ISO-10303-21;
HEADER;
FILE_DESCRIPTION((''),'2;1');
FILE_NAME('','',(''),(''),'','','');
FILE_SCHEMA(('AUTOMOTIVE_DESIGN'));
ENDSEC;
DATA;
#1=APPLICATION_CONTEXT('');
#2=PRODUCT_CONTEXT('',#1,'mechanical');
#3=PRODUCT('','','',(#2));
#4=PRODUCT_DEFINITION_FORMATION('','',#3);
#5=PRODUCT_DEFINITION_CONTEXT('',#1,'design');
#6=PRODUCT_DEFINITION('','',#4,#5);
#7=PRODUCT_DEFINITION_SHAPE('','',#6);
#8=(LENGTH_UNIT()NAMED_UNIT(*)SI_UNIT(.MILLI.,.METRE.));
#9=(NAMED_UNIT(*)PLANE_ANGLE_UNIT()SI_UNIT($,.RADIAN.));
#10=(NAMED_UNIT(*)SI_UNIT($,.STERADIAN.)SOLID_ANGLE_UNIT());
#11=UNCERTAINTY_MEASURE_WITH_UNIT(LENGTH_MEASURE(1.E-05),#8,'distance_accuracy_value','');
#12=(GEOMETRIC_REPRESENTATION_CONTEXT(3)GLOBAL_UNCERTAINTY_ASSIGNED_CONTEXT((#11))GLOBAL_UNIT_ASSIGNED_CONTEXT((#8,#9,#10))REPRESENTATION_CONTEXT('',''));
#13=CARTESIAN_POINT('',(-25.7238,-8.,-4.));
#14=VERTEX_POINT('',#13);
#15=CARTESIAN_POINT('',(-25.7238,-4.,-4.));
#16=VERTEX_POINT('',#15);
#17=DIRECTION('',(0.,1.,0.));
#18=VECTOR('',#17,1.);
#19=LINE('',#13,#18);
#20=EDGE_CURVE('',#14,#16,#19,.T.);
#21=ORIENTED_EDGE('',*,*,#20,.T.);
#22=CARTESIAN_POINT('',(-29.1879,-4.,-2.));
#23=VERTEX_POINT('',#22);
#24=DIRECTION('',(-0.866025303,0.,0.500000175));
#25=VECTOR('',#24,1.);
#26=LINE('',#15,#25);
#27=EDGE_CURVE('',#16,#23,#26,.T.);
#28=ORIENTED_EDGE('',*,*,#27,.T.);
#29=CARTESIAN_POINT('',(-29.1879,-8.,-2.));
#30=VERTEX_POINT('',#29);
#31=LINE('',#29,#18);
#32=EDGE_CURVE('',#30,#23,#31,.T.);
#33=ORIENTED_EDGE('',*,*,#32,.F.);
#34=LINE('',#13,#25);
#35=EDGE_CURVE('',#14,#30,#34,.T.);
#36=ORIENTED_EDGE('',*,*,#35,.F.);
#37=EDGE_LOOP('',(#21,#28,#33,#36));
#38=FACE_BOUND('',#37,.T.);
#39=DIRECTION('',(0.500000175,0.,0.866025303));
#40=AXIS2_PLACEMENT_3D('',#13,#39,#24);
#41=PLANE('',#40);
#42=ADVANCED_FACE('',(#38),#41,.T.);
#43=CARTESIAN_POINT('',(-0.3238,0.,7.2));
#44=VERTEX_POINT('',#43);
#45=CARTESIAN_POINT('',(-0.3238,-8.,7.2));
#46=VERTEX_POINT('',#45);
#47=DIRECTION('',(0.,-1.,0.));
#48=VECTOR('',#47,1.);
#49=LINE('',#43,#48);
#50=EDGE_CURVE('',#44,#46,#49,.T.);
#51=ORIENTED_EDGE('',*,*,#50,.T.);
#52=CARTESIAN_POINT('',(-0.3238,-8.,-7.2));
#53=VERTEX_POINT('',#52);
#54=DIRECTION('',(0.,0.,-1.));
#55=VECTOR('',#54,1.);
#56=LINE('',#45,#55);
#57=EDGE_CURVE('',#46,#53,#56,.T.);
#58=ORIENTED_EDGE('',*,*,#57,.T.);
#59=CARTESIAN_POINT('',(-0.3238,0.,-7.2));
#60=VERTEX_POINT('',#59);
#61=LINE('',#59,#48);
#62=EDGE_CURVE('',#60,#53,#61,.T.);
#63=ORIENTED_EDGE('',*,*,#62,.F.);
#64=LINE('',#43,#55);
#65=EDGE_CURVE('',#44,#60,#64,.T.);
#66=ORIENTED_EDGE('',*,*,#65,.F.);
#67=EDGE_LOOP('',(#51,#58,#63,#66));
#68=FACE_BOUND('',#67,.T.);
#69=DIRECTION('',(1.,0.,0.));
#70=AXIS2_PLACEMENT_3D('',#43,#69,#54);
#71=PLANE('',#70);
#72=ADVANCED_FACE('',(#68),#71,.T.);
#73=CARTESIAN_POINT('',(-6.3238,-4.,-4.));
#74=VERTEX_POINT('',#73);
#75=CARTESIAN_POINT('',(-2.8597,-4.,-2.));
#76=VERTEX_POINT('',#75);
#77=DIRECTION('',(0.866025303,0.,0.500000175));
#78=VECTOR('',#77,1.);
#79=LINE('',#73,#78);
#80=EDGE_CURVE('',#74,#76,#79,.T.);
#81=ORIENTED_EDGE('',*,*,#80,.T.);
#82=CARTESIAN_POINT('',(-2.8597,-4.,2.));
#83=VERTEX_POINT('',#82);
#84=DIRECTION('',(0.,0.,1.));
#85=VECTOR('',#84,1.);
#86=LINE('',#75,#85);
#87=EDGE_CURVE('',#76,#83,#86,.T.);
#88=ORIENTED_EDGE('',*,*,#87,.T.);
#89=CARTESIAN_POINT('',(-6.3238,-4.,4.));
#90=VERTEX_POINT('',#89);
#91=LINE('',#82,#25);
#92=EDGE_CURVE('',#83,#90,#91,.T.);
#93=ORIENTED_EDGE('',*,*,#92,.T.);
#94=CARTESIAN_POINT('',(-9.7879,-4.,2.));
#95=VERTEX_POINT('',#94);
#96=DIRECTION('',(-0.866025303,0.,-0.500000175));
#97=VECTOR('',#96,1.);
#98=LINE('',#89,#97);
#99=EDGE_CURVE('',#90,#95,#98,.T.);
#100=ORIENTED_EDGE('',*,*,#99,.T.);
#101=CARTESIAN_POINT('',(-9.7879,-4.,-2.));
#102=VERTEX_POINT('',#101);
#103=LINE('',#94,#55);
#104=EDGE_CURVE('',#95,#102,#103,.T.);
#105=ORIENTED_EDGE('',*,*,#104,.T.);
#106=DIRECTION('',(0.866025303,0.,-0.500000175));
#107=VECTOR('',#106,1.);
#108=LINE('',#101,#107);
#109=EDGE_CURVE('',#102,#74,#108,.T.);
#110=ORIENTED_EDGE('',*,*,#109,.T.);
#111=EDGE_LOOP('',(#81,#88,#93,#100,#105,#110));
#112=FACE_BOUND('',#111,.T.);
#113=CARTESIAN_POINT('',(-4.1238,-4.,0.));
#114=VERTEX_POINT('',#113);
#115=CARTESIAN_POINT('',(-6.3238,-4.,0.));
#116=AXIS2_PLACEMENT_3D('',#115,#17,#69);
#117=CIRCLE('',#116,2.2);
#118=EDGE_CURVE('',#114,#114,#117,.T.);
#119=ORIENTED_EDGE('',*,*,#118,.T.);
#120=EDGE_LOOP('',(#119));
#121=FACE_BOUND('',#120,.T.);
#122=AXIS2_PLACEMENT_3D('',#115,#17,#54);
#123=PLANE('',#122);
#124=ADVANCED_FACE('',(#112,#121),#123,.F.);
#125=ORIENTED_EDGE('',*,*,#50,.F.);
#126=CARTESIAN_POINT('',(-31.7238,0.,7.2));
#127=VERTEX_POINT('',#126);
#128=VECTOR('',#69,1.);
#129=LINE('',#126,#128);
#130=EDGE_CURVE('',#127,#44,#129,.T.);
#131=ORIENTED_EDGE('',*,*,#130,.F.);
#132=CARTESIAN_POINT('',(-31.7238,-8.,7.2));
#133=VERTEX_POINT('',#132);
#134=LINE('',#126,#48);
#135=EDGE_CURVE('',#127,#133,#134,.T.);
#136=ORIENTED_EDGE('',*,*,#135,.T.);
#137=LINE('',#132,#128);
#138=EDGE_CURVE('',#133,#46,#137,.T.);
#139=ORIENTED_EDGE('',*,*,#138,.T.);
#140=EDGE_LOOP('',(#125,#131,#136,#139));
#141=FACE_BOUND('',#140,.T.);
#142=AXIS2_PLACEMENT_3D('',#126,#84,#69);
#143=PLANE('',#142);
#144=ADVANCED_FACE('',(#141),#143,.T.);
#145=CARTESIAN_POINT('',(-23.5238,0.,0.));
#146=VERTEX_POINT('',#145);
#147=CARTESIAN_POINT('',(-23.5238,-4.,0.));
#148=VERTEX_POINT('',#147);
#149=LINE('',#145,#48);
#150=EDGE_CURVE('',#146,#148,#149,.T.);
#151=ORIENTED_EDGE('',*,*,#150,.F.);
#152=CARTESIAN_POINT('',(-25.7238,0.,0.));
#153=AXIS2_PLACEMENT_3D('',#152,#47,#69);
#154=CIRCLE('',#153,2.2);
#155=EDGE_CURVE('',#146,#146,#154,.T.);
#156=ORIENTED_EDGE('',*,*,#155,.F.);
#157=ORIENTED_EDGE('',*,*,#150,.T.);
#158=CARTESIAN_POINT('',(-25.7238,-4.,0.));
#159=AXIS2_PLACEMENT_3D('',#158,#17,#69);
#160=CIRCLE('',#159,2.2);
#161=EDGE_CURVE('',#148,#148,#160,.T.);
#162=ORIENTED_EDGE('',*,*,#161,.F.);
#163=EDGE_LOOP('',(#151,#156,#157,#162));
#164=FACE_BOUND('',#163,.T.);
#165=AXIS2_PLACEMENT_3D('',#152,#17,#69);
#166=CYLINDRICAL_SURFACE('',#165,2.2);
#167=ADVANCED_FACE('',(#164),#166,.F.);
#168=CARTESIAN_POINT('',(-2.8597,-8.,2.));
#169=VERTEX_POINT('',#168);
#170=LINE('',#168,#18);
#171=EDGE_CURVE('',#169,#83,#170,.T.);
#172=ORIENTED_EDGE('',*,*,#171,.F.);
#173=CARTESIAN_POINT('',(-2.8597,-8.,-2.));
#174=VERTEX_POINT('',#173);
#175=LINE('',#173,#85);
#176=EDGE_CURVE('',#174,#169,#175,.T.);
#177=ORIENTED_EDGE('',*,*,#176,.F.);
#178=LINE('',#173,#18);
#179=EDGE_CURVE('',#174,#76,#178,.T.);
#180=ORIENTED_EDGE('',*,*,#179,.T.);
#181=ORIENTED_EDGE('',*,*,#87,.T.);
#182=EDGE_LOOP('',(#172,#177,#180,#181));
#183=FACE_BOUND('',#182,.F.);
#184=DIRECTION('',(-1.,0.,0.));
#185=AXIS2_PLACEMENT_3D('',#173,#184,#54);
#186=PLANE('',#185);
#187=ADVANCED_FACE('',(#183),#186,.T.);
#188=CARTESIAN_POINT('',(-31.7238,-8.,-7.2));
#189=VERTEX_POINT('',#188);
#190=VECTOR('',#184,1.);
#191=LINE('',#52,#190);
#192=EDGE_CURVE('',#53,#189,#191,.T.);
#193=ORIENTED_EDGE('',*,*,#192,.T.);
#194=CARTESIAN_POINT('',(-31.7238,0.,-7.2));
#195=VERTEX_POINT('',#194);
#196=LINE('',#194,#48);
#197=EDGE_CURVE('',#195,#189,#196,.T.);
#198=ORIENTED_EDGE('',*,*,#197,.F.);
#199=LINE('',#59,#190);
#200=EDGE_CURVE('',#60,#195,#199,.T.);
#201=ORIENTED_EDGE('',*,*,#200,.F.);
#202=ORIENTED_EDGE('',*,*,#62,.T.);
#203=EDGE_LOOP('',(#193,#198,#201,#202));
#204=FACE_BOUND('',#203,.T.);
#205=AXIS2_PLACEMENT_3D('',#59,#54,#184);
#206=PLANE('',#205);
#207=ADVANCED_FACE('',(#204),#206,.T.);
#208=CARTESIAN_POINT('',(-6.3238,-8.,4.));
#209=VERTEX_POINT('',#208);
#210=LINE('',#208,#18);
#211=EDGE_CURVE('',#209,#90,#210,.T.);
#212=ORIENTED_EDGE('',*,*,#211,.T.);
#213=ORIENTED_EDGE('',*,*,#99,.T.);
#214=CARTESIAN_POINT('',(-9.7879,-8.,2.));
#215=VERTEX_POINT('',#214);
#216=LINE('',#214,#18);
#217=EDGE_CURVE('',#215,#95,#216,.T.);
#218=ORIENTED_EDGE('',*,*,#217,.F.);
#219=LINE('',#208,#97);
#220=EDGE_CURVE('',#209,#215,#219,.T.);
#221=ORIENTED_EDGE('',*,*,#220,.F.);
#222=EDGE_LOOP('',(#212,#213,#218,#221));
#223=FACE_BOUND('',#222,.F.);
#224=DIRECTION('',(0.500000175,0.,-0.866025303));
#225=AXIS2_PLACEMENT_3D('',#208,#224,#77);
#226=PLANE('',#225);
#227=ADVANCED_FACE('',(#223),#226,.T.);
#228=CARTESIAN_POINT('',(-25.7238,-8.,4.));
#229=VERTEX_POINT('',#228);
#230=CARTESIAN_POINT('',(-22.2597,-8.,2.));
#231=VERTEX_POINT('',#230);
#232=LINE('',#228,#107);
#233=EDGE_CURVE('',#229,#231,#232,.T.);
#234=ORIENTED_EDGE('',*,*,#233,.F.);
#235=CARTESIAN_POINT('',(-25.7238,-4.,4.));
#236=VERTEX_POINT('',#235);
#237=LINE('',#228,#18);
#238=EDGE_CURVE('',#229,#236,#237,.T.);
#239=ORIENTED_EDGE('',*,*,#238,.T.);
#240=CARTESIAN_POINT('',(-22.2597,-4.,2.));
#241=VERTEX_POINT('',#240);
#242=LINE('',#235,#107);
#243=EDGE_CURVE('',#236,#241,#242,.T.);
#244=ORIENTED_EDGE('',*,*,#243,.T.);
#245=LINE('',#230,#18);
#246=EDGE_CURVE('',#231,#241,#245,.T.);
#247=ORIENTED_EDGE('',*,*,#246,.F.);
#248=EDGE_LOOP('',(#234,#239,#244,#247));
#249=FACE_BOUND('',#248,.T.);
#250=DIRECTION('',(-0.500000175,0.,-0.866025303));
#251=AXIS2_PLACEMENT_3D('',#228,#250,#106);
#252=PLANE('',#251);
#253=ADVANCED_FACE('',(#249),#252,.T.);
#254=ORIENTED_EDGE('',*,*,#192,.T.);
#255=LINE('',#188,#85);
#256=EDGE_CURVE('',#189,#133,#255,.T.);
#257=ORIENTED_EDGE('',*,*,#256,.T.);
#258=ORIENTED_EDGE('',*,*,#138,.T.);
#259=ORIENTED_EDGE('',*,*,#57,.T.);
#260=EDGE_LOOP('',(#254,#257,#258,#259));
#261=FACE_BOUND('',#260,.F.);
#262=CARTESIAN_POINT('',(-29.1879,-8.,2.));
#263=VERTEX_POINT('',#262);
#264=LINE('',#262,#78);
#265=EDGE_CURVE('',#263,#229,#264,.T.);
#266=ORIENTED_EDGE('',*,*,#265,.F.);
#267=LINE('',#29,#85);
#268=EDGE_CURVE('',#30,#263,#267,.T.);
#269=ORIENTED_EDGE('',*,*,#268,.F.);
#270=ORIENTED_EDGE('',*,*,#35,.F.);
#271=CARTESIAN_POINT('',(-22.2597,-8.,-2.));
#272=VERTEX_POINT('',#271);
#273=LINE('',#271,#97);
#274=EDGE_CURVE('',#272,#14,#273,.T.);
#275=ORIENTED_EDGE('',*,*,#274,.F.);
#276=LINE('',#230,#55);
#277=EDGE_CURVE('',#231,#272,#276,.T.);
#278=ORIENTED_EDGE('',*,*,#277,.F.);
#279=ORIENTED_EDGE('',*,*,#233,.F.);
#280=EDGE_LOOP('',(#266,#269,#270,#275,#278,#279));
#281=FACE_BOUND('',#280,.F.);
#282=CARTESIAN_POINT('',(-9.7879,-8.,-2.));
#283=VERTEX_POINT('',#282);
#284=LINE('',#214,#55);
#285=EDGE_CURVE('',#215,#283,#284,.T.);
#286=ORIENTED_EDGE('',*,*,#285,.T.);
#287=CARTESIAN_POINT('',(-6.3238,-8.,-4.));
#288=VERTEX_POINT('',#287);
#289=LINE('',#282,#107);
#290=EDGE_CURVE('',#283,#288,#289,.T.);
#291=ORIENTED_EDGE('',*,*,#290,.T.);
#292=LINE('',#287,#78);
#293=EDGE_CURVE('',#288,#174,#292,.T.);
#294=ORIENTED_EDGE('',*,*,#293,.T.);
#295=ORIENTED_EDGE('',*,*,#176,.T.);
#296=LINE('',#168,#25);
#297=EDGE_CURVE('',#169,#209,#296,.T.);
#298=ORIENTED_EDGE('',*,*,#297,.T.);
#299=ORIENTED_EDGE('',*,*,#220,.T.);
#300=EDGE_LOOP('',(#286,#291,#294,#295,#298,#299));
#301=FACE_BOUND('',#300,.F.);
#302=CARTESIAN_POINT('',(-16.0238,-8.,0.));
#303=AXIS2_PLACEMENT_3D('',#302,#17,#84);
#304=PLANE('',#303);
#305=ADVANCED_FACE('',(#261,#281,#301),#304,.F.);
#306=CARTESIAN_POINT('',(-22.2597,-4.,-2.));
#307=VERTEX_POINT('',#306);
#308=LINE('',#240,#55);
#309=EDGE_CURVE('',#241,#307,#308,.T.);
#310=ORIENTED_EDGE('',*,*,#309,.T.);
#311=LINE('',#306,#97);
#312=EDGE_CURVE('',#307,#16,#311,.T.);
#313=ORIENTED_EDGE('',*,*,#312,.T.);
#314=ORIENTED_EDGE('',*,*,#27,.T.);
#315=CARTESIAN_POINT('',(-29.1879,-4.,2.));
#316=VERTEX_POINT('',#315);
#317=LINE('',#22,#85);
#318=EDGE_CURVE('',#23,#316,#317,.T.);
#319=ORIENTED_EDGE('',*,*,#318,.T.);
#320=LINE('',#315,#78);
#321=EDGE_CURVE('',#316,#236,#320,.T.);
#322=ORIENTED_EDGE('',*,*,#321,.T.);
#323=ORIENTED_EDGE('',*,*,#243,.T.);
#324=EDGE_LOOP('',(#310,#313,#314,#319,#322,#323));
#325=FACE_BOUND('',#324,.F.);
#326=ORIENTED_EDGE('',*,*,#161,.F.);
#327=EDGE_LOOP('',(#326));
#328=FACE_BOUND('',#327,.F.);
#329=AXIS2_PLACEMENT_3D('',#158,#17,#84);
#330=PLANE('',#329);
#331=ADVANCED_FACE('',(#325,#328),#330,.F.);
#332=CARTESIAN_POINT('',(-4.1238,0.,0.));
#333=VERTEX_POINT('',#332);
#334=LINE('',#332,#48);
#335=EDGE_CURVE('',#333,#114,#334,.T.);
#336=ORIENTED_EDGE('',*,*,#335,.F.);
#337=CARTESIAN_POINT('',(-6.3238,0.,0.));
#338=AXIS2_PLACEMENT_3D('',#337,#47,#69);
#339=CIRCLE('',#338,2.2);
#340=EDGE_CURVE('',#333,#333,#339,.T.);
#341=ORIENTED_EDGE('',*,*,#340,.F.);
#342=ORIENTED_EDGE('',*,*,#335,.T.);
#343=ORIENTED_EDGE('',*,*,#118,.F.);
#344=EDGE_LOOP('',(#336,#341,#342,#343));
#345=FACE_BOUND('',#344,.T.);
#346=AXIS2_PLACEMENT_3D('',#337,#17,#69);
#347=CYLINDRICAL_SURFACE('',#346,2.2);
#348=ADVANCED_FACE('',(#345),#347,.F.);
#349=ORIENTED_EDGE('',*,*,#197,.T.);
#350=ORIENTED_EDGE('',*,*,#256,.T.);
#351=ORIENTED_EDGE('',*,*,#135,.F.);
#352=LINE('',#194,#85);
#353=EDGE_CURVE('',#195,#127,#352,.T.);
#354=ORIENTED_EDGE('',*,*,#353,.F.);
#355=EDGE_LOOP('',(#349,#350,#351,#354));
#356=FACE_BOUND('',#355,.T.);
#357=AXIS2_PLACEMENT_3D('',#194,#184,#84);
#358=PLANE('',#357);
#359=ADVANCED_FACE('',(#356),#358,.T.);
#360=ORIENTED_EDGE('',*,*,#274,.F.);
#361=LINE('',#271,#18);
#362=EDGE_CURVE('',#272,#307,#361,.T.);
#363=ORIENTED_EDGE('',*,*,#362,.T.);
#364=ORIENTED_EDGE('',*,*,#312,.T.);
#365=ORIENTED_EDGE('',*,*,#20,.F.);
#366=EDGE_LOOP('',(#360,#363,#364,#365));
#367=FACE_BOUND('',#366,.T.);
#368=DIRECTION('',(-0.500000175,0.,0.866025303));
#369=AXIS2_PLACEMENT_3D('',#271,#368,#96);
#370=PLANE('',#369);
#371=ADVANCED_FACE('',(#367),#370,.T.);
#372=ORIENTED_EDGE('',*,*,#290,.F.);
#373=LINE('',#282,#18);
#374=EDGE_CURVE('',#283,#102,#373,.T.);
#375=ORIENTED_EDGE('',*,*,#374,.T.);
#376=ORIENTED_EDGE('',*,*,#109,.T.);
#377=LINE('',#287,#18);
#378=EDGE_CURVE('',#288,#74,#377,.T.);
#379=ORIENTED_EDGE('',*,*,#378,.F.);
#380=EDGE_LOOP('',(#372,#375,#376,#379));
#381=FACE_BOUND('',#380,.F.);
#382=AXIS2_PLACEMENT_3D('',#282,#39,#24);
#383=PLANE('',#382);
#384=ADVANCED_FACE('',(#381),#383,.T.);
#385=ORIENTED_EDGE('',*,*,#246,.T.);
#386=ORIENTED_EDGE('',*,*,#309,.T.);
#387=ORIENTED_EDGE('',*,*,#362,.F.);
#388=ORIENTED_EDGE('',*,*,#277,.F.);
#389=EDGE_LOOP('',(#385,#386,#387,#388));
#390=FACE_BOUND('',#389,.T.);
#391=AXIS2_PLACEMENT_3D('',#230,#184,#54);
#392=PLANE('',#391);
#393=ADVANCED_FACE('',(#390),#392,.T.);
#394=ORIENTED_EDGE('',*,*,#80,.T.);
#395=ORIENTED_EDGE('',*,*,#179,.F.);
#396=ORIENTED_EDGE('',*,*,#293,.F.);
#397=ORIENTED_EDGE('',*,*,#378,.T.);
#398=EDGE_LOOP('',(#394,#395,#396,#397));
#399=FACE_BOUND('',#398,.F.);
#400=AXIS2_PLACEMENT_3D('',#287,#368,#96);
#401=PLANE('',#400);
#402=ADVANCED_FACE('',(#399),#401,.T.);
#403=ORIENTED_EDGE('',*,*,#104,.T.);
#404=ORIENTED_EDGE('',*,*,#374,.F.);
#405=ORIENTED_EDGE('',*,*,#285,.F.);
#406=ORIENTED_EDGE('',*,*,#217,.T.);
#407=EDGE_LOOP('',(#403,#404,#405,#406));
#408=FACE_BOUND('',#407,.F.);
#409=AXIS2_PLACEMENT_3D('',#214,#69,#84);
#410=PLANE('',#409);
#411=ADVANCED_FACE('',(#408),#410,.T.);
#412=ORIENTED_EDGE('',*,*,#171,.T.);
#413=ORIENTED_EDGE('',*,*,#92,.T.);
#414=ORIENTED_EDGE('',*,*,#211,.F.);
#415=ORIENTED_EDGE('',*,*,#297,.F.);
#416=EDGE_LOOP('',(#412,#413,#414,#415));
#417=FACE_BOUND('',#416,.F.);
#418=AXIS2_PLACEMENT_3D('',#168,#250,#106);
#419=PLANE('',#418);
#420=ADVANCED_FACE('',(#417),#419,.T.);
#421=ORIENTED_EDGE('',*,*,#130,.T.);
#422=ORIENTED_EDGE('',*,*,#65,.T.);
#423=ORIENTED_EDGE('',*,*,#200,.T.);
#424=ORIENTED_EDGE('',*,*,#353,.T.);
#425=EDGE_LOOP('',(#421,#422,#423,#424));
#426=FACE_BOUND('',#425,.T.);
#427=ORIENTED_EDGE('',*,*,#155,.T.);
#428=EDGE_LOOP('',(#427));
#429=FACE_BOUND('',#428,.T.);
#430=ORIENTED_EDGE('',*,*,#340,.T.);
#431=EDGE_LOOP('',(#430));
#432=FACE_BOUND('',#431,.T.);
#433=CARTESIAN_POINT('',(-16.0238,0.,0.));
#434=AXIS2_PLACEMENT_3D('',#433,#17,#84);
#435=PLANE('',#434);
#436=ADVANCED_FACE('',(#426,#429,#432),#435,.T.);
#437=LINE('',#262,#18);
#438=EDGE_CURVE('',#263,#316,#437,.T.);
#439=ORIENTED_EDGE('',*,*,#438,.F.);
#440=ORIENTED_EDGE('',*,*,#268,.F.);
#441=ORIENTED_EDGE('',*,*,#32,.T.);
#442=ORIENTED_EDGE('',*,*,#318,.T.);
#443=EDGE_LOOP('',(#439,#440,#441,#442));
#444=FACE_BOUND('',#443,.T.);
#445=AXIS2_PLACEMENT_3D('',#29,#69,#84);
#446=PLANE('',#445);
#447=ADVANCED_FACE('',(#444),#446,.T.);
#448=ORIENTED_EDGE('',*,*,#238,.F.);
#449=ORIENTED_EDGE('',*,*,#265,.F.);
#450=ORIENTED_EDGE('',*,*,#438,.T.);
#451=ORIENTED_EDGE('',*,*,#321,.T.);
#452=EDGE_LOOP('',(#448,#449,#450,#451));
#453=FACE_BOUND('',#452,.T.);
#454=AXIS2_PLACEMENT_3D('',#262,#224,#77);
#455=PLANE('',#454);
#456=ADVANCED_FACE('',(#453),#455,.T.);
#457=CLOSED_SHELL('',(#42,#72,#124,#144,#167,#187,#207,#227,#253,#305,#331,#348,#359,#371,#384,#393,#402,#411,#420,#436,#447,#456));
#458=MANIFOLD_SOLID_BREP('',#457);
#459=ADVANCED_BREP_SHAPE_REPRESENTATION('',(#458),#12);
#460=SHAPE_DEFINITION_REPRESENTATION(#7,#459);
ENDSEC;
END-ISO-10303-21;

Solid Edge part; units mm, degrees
sketch "Sketch1" plane through (0, 0, 0) normal (0, -1, 0) x (1, 0, 0)
  circle A0 centre (-6.3238, 0) radius 2.2
  line L0 (-31.7238, 7.2) -> (-0.3238, 7.2)
  line L1 (-0.3238, 7.2) -> (-0.3238, -7.2)
  line L2 (-0.3238, -7.2) -> (-31.7238, -7.2)
  line L3 (-31.7238, -7.2) -> (-31.7238, 7.2)
  circle A1 centre (-25.7238, 0) radius 2.2
  dimension "D1" = 19.4
  dimension "D2" = 6
  dimension "D3" = 4.4
  dimension "D4" = 4.4
  dimension "D5" = 7.2
  dimension "D6" = 7.2
  dimension "D7" = 6
extrude "Protrusion1" add sketch "Sketch1" along normal blind 8
sketch "Sketch2" plane through (-14.9238, -8, 0) normal (0, -1, 0) x (1, 0, 0)
  line L0 (-14.2641, -2) -> (-14.2641, 2)
  line L1 (-14.2641, 2) -> (-10.8, 4)
  line L2 (-10.8, 4) -> (-7.3359, 2)
  line L3 (-7.3359, 2) -> (-7.3359, -2)
  line L4 (-7.3359, -2) -> (-10.8, -4)
  line L5 (-10.8, -4) -> (-14.2641, -2)
  dimension "D1" = 8
extrude "ExtrudedCutout_1" cut sketch "Sketch2" against normal blind 4
mirror "Mirror1" about plane through (-16.0238, -4, 0) normal (-1, 0, 0) of "ExtrudedCutout_1"
